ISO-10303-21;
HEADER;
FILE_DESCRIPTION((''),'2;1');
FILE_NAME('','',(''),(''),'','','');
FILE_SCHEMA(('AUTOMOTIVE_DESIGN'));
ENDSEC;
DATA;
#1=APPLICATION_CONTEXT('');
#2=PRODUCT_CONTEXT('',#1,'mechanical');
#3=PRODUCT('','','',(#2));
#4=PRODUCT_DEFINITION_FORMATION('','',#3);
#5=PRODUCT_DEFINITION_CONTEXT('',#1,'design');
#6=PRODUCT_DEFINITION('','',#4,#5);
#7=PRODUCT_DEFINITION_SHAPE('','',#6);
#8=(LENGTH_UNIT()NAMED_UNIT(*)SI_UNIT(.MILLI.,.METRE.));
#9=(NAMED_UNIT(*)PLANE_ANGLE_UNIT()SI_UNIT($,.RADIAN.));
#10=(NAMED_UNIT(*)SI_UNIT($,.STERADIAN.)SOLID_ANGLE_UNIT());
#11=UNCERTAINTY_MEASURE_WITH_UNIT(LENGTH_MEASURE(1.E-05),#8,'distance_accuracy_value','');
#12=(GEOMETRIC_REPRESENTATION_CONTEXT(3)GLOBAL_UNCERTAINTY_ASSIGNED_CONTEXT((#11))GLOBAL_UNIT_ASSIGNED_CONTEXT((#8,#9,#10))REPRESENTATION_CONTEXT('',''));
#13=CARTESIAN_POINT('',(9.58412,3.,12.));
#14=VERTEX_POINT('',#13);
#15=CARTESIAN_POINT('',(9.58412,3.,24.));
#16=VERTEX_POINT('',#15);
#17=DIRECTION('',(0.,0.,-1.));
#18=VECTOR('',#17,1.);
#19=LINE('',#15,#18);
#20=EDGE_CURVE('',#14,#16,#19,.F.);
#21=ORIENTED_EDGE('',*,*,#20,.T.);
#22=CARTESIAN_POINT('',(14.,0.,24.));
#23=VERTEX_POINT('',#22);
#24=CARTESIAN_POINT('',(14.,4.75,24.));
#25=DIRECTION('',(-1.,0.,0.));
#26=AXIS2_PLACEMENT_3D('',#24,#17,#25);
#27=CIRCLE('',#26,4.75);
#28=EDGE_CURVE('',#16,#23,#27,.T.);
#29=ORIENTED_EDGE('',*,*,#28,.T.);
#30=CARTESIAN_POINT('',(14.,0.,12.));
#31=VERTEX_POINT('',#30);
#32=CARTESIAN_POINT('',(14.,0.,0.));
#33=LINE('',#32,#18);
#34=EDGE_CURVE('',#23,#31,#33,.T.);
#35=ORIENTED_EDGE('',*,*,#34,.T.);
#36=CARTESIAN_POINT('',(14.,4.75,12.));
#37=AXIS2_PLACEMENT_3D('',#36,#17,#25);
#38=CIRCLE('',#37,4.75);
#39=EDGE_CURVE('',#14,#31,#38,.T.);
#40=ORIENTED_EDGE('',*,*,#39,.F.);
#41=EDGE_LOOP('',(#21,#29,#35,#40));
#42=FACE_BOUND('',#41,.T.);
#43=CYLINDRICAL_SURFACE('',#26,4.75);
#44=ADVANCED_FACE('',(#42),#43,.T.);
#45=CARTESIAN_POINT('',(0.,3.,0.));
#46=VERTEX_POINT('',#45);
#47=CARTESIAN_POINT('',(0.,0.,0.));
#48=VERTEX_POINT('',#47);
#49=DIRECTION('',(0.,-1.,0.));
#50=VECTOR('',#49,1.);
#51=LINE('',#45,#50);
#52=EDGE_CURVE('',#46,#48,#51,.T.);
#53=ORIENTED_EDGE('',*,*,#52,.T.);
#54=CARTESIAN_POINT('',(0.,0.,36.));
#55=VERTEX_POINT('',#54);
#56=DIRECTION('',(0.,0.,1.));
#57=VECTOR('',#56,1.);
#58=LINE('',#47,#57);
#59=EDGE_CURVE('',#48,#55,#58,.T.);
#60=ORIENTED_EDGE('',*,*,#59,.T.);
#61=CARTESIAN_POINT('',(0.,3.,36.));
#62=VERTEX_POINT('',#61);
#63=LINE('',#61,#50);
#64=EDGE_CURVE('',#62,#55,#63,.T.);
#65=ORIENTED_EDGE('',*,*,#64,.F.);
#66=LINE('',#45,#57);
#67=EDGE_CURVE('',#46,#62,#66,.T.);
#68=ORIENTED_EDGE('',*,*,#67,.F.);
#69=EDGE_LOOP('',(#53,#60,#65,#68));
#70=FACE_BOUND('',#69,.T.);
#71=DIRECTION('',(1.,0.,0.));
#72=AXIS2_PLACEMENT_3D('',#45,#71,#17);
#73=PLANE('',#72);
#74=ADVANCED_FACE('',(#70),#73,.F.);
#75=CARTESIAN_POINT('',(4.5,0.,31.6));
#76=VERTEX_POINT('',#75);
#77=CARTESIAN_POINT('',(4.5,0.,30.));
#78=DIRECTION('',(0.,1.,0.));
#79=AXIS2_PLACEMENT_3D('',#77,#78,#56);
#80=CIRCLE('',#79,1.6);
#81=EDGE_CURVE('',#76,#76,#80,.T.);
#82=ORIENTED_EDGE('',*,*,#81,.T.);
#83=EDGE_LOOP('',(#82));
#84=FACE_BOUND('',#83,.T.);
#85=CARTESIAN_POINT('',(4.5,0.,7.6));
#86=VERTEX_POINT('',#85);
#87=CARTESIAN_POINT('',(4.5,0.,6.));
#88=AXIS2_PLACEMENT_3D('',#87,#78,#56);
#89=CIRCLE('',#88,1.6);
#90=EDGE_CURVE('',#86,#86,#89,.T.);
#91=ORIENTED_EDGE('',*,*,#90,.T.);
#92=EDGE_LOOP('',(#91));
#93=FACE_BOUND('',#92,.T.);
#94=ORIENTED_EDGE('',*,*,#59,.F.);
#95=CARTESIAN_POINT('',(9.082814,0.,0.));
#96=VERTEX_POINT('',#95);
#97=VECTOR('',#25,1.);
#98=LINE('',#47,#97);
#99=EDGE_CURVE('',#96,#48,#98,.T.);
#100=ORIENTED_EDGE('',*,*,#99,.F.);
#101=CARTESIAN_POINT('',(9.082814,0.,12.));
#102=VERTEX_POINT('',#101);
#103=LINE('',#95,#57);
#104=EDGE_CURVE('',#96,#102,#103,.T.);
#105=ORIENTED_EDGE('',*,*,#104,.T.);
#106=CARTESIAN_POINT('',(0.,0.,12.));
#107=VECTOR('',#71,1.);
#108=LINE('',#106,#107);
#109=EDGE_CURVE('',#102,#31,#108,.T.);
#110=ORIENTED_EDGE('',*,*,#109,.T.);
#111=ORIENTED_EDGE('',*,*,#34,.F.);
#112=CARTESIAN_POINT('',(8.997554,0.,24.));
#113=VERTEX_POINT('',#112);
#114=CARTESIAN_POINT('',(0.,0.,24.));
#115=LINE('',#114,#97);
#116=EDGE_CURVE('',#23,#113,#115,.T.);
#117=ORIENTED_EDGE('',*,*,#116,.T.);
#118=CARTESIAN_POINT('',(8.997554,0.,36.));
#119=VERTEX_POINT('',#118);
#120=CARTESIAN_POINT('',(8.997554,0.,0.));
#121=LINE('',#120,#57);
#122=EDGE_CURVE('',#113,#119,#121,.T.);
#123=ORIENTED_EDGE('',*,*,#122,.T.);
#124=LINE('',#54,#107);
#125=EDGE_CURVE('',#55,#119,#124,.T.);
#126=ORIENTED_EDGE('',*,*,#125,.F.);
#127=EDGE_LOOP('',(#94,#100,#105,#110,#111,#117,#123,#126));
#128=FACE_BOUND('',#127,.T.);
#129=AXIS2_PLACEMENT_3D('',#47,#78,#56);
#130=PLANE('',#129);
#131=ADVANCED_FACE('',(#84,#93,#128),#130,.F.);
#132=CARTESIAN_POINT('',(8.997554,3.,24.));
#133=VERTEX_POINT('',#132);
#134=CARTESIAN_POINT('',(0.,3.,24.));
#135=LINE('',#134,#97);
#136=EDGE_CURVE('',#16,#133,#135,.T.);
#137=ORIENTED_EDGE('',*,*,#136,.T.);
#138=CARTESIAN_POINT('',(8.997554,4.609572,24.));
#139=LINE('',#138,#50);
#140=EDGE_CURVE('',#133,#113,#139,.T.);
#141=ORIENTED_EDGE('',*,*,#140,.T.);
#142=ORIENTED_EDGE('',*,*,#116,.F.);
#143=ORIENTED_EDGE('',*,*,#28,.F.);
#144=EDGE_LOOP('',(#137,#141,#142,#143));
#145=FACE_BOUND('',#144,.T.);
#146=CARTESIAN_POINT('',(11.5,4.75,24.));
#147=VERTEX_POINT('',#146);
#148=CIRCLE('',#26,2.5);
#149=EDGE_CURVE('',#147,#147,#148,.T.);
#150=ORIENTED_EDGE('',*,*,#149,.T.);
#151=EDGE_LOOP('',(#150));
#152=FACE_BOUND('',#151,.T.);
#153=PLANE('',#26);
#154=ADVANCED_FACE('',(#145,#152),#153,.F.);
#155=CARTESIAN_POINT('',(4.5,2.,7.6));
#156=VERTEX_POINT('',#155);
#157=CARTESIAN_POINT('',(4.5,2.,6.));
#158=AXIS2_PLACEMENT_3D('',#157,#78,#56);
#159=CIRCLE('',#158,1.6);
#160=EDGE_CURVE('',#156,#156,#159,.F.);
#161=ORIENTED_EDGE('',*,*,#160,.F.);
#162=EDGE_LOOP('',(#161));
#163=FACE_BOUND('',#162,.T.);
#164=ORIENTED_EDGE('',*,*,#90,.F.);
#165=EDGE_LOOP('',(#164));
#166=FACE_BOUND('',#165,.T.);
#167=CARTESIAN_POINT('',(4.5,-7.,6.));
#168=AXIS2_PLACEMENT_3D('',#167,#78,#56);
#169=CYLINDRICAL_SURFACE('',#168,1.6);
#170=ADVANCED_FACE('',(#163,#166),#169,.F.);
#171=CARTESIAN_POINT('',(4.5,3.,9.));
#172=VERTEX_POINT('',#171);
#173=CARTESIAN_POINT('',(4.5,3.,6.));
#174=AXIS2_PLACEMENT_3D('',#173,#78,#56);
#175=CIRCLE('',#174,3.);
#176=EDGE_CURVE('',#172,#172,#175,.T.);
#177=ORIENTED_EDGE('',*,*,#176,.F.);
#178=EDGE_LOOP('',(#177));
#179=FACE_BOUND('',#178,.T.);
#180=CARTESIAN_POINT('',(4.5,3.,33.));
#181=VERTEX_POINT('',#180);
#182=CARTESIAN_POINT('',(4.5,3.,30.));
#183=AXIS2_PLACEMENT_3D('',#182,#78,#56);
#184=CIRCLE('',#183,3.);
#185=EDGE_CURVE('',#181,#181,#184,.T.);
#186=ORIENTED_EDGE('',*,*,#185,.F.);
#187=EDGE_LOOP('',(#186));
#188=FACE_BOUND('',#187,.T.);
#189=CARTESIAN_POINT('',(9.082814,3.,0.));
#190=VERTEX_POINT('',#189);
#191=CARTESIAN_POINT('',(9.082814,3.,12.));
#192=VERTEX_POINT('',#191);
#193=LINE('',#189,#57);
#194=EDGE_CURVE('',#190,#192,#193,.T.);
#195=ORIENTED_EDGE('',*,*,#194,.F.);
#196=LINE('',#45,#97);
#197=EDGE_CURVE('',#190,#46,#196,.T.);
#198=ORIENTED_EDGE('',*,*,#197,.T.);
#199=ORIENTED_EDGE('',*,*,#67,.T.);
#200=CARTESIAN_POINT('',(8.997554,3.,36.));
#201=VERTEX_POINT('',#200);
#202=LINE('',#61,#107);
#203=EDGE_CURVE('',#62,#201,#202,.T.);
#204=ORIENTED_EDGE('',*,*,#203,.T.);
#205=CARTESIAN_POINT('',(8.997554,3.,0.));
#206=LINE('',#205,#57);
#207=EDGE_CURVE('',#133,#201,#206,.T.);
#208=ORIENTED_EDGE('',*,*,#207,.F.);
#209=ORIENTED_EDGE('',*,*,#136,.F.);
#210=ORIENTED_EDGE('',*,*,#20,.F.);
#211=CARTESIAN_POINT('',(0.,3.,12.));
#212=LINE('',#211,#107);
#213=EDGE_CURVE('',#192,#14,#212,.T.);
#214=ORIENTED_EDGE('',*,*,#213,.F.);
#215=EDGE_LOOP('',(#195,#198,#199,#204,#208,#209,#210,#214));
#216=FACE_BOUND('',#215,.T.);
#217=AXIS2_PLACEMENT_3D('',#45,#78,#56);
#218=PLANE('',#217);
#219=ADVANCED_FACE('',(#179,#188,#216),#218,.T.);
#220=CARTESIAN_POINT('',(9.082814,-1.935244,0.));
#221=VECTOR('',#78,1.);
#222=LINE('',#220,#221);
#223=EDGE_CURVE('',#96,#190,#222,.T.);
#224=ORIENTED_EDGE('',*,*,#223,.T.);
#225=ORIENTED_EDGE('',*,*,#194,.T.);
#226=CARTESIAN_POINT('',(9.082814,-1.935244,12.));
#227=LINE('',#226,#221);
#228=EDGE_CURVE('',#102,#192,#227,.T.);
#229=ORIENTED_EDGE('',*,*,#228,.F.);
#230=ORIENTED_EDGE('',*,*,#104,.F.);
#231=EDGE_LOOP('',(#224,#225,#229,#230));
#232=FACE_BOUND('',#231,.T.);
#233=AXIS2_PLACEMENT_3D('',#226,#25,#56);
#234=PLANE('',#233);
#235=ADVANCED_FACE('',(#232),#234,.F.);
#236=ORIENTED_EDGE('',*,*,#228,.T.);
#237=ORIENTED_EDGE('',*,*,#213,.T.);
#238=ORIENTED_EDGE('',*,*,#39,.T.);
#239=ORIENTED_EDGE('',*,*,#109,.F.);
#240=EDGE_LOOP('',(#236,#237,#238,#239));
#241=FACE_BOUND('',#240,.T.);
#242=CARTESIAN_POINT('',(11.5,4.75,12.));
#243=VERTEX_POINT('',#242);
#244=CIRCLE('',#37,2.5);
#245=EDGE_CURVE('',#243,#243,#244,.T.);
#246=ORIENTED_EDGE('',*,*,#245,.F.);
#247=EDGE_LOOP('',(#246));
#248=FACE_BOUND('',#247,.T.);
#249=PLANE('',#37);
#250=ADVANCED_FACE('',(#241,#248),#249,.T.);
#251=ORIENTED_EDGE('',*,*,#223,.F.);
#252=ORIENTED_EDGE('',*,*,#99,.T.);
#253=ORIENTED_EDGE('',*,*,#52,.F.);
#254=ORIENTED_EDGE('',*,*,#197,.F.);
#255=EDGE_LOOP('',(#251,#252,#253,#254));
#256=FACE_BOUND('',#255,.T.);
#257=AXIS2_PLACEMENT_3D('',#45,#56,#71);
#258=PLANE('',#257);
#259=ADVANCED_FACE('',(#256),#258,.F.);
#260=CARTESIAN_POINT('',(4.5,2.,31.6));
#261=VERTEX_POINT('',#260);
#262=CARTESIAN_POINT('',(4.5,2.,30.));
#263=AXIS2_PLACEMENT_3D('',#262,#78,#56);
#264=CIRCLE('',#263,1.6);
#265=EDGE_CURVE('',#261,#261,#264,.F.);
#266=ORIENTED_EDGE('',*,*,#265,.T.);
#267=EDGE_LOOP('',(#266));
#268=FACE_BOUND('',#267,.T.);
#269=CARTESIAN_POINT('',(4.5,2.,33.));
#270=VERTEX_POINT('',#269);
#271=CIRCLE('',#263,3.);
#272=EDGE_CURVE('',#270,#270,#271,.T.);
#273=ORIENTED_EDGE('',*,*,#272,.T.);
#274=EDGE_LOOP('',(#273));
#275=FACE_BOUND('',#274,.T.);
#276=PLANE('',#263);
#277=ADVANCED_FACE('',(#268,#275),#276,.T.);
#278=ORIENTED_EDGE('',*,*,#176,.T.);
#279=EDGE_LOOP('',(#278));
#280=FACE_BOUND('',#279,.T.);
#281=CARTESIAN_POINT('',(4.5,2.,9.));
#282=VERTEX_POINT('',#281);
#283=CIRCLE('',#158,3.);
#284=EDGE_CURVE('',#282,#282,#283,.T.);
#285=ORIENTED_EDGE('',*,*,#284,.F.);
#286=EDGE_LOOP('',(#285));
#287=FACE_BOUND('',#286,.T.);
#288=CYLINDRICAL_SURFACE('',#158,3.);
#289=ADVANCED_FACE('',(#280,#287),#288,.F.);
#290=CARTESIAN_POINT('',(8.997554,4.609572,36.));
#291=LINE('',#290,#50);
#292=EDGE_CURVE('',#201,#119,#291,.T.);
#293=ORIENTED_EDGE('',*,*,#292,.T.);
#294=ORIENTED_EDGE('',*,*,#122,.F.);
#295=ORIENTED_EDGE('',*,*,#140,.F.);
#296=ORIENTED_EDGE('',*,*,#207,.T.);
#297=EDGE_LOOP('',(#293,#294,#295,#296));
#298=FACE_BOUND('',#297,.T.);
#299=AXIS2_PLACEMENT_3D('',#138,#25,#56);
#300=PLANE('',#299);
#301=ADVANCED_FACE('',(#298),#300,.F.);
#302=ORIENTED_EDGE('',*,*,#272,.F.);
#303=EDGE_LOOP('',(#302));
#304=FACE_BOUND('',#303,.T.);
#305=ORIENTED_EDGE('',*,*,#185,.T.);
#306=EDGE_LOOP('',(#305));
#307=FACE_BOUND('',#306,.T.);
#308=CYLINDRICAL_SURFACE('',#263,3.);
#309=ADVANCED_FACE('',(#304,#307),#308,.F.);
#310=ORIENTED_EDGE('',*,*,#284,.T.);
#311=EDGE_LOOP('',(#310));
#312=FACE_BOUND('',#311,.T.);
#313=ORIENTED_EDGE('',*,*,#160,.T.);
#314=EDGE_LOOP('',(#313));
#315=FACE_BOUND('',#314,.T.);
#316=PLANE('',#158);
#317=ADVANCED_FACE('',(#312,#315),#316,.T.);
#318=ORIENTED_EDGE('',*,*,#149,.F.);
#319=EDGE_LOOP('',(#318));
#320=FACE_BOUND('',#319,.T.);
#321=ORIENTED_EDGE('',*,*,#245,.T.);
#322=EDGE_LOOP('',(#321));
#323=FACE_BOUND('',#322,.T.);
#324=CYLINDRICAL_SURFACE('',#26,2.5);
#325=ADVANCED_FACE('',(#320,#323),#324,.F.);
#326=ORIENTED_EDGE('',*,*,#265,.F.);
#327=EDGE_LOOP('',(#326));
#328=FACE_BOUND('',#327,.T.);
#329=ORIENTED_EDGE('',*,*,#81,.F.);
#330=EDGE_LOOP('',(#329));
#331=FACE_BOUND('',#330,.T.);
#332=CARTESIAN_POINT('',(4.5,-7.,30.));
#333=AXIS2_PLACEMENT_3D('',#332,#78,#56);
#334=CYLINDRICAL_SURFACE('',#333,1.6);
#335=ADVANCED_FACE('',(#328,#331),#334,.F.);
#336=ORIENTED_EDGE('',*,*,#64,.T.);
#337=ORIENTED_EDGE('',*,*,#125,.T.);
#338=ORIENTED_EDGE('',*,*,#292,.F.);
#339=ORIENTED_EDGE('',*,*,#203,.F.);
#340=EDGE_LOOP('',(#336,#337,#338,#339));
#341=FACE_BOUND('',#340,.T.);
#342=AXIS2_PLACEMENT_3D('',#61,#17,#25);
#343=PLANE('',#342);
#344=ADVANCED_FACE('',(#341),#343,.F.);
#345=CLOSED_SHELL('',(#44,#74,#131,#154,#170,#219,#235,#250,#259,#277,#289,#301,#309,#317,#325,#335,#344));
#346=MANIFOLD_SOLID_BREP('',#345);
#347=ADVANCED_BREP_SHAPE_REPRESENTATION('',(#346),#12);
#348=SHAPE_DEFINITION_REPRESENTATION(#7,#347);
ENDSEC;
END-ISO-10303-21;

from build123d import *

# Parameters (mm, degrees)
SKETCH_1_W          = 14
SKETCH_1_H          = 36
EXTRUDE_1_DEPTH     = 3
SKETCH_6_R          = 1.6
CUT_EXTRUDE_3_DEPTH = 10
SKETCH_7_R          = 3
CUT_EXTRUDE_4_DEPTH = 1
SKETCH_9_R          = 4.75
EXTRUDE_2_DEPTH     = 12
SKETCH_10_R         = 2.5
CUT_EXTRUDE_5_DEPTH = 12
SKETCH_11_W         = 10.773254888
SKETCH_11_H         = 9.942175225
CUT_EXTRUDE_7_DEPTH = 12
SKETCH_12_W         = 10.083050504
SKETCH_12_H         = 5.143061972
CUT_EXTRUDE_8_DEPTH = 12


with BuildPart() as part:
    # 草图1 → 凸台-拉伸1 (new body)
    with BuildSketch(Plane(origin=(0, 0, 0), x_dir=(1, 0, 0), z_dir=(0, 1, 0))):
        with Locations((7, -18)):
            Rectangle(SKETCH_1_W, SKETCH_1_H)
    extrude(amount=EXTRUDE_1_DEPTH)

    # 草图6 → 切除-拉伸3 (cut)
    with BuildSketch(Plane(origin=(0, 3, 0), x_dir=(1, 0, 0), z_dir=(0, 1, 0))):
        with Locations(Location((4.5, -6, 0), (0, 0, 270))):
            Circle(SKETCH_6_R)
        with Locations(Location((4.5, -30, 0), (0, 0, 270))):
            Circle(SKETCH_6_R)
    extrude(amount=-CUT_EXTRUDE_3_DEPTH, mode=Mode.SUBTRACT)

    # 草图7 → 切除-拉伸4 (cut)
    with BuildSketch(Plane(origin=(0, 3, 0), x_dir=(1, 0, 0), z_dir=(0, 1, 0))):
        with Locations(Location((4.5, -6, 0), (0, 0, 270))):
            Circle(SKETCH_7_R)
        with Locations(Location((4.5, -30, 0), (0, 0, 270))):
            Circle(SKETCH_7_R)
    extrude(amount=-CUT_EXTRUDE_4_DEPTH, mode=Mode.SUBTRACT)

    # 草图9 → 凸台-拉伸2 (add)
    with BuildSketch(Plane(origin=(0, 0, 12), x_dir=(-1, 0, 0), z_dir=(0, 0, -1))):
        with Locations((-14, 4.75)):
            Circle(SKETCH_9_R)
    extrude(amount=-EXTRUDE_2_DEPTH)

    # 草图10 → 切除-拉伸5 (cut)
    with BuildSketch(Plane(origin=(0, 0, 12), x_dir=(-1, 0, 0), z_dir=(0, 0, -1))):
        with Locations(Location((-14, 4.75, 0), (0, 0, 315.572995999))):
            Circle(SKETCH_10_R)
    extrude(amount=-CUT_EXTRUDE_5_DEPTH, mode=Mode.SUBTRACT)

    # 草图11 → 切除-拉伸7 (cut)
    with BuildSketch(Plane(origin=(0, 0, 0), x_dir=(-1, 0, 0), z_dir=(0, 0, -1))):
        with Locations((-14.469441618, 3.035843785)):
            Rectangle(SKETCH_11_W, SKETCH_11_H)
    extrude(amount=-CUT_EXTRUDE_7_DEPTH, mode=Mode.SUBTRACT)

    # 草图12 → 切除-拉伸8 (cut)
    with BuildSketch(Plane.XY.offset(36)):
        with Locations((14.039079275, 2.038040722)):
            Rectangle(SKETCH_12_W, SKETCH_12_H)
    extrude(amount=-CUT_EXTRUDE_8_DEPTH, mode=Mode.SUBTRACT)


solid = part.part
